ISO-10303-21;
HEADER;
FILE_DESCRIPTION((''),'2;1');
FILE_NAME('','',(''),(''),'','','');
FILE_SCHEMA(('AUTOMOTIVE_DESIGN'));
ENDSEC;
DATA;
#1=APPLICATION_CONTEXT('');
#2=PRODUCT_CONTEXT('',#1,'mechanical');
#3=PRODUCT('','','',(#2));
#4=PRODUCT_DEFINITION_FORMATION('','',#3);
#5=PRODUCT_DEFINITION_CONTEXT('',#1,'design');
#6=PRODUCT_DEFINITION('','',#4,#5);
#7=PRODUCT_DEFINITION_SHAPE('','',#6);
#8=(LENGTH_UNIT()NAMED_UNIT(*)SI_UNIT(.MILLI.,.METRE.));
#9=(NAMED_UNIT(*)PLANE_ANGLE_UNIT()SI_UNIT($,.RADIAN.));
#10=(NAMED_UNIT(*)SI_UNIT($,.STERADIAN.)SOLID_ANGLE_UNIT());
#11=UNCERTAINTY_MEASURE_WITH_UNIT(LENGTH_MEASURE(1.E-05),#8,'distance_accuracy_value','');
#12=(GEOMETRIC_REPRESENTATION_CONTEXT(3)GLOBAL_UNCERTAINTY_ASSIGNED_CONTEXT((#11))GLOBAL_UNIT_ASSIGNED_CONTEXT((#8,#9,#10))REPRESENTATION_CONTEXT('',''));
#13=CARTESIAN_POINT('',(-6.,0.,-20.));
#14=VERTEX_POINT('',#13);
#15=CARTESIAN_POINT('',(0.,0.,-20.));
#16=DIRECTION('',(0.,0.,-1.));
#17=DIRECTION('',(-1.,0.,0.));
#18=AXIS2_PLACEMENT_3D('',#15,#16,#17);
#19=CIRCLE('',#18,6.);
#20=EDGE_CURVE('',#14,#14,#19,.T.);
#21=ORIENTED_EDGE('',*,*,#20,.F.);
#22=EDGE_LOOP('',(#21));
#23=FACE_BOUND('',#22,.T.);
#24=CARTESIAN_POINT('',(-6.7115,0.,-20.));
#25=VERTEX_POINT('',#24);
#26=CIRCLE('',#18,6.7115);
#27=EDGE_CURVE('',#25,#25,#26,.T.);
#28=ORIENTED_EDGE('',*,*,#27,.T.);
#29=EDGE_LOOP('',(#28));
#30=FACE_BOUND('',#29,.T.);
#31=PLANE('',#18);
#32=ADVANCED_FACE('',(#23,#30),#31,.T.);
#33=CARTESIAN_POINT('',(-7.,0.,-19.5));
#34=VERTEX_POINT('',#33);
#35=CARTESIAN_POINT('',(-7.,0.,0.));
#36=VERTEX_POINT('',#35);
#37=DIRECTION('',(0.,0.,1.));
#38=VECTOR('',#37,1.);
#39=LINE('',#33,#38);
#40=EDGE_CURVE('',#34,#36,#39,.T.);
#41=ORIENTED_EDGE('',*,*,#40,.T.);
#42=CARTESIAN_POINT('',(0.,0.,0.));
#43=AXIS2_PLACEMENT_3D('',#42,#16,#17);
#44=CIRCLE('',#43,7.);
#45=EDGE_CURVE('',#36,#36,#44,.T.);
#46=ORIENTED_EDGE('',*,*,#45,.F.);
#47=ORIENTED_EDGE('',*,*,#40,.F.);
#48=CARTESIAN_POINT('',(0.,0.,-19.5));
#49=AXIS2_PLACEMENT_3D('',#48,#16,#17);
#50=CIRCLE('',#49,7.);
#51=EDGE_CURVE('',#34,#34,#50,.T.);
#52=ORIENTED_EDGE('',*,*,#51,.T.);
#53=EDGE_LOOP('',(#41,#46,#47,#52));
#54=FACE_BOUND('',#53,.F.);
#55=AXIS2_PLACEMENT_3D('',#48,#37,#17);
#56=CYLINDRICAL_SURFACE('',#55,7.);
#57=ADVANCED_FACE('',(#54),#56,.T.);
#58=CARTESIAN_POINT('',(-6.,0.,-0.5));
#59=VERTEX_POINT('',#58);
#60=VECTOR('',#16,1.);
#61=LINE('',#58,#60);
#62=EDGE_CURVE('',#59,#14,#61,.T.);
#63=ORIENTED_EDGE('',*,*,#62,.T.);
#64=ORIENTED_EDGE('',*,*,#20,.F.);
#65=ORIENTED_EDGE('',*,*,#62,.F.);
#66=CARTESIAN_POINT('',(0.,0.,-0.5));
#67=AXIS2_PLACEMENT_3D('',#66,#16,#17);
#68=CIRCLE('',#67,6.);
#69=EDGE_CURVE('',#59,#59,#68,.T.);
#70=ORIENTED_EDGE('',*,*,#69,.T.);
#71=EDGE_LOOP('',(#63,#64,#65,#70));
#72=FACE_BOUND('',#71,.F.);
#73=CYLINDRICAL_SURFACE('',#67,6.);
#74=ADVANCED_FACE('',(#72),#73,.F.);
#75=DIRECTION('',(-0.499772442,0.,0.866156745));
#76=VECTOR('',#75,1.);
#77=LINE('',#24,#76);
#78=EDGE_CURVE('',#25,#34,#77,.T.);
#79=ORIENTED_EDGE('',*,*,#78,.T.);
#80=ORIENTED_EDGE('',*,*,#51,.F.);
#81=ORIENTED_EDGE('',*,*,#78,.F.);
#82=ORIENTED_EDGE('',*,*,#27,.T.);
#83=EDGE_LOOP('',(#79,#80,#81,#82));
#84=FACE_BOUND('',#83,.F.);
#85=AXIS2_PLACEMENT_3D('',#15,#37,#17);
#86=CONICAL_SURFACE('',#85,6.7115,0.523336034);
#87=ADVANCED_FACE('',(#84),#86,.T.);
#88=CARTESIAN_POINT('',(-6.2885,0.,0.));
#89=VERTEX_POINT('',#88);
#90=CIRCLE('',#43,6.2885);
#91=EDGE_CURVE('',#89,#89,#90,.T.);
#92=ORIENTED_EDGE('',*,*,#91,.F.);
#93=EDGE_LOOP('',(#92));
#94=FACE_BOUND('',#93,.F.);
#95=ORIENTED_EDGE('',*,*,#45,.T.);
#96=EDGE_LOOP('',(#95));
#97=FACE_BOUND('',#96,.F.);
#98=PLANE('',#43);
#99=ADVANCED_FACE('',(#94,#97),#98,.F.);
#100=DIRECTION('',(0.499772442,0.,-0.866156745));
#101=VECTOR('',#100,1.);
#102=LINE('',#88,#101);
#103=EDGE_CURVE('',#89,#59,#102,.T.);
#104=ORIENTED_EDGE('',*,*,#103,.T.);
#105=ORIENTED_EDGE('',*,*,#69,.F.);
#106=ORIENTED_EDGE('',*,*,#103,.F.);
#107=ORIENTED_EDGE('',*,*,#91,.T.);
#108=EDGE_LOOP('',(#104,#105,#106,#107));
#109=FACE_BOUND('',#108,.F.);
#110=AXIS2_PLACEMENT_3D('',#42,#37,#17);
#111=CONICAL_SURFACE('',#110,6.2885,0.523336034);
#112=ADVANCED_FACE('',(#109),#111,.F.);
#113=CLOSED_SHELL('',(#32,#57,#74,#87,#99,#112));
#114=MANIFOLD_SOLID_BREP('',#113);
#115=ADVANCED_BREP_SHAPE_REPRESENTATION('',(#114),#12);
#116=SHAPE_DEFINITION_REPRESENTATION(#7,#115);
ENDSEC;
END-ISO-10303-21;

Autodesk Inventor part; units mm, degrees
ref_plane "YZ Plane" through (0, 0, 0) normal (1, 0, 0) x (0, 1, 0)
ref_plane "XZ Plane" through (0, 0, 0) normal (0, 1, 0) x (-1, 0, 0)
ref_plane "XY Plane" through (0, 0, 0) normal (0, 0, 1) x (1, 0, 0)
sketch "Sketch1" plane through (0, 0, 0) normal (0, 1, 0) x (-1, 0, 0)
  line L0 (0, 0) -> (0, -20) construction
  line L1 (6.7115, -20) -> (7, -19.5)
  line L2 (7, -19.5) -> (7, 0)
  line L3 (7, 0) -> (6.2885, 0)
  line L4 (6.2885, 0) -> (6, -0.5)
  line L5 (6, -0.5) -> (6, -20)
  line L6 (6.7115, -20) -> (6, -20)
  dimension "d0" = 20
  dimension "d2" = 6
  dimension "d3" = 6.7115
  dimension "d4" = 0.5
  dimension "d5" = 7
  dimension "d6" = 6.2885
revolve "Revolution1" add sketch "Sketch1" angle 360 about axis through (0, 0, 0) along (0, 0, -1)
properties part number "47-02-004"
